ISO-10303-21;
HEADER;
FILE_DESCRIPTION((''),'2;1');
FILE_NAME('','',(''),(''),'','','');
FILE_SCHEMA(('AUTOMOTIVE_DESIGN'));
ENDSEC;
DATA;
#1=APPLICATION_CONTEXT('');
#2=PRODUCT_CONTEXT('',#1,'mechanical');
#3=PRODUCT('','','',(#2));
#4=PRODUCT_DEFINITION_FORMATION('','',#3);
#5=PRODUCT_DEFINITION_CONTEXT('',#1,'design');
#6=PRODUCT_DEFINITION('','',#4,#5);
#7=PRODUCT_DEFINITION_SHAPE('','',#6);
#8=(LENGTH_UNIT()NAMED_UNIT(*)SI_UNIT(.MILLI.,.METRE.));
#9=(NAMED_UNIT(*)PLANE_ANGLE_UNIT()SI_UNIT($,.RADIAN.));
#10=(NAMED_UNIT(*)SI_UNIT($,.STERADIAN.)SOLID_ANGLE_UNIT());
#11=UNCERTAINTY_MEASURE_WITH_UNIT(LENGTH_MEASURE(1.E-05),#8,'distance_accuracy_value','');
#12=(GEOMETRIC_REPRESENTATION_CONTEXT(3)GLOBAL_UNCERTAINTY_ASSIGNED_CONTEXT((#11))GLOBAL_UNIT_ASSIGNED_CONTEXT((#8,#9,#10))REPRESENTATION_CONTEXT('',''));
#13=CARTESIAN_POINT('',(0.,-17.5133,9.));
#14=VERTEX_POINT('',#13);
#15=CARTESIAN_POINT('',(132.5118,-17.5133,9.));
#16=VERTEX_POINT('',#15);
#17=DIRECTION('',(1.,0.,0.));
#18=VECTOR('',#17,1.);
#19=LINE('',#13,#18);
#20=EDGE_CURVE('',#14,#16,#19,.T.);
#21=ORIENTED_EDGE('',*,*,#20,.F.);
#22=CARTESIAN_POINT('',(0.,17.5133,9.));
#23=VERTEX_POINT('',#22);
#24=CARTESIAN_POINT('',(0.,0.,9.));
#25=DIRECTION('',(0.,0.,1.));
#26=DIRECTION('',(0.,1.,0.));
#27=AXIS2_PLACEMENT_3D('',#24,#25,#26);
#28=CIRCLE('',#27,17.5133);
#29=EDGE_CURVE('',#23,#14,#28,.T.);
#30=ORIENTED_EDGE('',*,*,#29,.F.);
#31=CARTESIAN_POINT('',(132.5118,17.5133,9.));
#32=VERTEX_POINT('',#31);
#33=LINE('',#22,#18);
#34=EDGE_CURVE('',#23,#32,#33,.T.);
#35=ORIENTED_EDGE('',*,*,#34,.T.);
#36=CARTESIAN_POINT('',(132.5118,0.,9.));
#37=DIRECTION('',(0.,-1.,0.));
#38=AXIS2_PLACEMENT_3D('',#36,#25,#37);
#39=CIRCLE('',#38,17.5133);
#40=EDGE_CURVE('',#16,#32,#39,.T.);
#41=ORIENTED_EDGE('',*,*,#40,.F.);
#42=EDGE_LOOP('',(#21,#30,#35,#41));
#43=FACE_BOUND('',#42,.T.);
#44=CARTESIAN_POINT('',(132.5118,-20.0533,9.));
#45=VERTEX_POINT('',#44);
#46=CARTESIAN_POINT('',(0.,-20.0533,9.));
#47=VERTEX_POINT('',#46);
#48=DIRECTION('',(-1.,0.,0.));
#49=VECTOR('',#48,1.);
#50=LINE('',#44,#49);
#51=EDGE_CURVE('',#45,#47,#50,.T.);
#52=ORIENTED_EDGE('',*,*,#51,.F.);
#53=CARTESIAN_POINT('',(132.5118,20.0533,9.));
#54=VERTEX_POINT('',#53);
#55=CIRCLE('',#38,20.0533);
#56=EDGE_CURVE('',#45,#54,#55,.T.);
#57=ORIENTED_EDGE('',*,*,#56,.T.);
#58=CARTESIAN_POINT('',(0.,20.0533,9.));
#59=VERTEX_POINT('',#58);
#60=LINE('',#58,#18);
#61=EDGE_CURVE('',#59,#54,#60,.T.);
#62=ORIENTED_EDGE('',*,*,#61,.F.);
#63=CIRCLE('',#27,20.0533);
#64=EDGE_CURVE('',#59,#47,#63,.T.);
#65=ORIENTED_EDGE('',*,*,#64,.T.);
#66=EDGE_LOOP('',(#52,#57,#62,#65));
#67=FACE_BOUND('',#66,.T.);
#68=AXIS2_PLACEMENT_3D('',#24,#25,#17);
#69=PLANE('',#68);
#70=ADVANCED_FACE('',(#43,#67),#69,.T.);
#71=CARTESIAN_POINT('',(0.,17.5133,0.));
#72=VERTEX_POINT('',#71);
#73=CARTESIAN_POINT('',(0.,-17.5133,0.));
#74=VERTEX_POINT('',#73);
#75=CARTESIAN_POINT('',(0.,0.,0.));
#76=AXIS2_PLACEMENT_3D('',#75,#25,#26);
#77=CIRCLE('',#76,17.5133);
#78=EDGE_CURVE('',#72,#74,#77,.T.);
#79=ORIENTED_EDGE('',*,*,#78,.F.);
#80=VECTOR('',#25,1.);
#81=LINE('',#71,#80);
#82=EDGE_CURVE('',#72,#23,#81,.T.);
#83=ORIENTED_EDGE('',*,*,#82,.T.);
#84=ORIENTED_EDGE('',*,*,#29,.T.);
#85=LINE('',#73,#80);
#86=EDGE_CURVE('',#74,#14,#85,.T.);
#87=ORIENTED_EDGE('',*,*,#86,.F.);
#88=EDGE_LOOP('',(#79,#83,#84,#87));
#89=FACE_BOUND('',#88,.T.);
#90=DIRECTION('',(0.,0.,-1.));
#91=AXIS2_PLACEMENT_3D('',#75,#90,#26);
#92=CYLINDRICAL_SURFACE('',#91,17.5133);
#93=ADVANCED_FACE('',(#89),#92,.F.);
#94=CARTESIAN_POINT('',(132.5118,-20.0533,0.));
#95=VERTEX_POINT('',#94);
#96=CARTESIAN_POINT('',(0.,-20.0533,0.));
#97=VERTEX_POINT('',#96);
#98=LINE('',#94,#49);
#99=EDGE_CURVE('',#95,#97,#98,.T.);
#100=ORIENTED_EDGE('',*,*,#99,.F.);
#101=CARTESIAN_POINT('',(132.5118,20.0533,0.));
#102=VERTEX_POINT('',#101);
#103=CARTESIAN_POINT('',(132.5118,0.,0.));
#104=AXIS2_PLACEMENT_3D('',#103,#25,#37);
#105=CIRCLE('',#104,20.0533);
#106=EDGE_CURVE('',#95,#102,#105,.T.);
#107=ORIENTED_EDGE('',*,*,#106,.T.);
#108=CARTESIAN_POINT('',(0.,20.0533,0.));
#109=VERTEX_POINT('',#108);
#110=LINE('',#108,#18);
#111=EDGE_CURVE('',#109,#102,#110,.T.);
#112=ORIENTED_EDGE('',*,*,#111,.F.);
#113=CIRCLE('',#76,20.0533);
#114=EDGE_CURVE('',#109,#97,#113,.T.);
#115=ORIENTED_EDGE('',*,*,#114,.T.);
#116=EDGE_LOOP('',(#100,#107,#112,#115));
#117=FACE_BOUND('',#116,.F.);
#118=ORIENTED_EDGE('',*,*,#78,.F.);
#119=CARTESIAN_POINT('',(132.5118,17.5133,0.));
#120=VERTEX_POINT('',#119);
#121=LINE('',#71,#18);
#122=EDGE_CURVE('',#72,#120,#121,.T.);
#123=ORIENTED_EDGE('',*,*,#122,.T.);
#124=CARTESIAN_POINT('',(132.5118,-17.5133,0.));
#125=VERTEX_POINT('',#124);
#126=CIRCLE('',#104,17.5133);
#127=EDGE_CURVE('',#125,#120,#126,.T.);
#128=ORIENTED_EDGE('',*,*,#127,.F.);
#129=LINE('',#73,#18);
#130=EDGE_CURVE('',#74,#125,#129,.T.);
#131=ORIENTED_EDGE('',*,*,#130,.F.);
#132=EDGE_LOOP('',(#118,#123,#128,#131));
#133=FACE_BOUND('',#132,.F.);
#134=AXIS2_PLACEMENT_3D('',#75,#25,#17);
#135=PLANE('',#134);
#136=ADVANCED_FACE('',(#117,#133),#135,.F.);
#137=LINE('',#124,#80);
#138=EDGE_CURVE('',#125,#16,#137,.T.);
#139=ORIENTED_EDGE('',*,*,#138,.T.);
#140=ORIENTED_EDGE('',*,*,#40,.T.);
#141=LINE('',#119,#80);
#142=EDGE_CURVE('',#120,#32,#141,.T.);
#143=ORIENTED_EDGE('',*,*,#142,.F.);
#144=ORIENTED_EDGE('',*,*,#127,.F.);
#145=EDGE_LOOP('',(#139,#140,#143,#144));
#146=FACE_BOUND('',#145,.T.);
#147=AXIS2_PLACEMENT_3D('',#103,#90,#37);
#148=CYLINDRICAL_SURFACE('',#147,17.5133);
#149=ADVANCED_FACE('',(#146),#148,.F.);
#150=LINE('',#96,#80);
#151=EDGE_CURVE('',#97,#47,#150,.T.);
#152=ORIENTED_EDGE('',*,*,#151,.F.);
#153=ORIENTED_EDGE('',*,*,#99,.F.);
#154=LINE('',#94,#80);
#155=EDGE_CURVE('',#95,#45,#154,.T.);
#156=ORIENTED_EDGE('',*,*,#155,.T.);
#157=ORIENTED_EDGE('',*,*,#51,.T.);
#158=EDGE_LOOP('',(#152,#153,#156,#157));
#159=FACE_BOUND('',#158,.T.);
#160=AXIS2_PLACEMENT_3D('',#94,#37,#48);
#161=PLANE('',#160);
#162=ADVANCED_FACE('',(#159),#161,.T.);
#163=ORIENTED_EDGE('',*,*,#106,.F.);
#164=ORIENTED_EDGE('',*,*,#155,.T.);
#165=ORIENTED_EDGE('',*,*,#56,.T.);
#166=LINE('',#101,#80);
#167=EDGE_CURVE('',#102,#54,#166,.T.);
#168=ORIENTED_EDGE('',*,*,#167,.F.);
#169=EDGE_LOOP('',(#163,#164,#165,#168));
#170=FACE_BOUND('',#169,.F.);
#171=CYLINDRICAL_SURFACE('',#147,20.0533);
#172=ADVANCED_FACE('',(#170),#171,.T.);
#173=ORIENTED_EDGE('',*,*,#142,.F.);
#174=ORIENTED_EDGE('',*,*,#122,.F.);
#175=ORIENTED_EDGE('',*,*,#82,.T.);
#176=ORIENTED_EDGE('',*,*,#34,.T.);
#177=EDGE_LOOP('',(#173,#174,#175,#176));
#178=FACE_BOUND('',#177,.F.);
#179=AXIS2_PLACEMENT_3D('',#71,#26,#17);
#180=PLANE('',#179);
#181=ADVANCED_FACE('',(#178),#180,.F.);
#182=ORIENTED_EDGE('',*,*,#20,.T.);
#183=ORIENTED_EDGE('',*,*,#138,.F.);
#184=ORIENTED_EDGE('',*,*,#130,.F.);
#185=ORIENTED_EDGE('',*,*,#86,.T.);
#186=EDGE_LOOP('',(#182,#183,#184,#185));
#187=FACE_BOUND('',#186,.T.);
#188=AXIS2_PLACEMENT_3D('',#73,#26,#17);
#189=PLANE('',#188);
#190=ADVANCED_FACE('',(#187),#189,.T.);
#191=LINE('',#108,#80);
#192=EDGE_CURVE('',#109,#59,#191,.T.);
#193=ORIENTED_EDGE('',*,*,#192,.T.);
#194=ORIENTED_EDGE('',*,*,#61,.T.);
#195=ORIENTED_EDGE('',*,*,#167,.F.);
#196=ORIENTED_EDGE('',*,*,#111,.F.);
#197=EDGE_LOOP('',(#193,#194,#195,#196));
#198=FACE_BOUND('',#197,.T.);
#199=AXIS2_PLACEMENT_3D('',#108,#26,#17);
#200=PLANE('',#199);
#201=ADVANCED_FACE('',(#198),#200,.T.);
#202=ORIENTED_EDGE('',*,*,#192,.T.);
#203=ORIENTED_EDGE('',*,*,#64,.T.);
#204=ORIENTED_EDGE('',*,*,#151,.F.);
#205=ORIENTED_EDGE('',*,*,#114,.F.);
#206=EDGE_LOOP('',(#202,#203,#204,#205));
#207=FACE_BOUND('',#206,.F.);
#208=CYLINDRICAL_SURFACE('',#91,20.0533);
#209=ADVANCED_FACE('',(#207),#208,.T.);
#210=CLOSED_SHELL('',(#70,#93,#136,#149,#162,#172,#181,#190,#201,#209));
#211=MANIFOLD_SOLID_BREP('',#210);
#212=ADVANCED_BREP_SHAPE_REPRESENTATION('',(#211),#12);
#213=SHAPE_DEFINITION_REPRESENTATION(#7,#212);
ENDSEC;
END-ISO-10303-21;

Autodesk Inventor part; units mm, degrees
ref_plane "YZ Plane" through (0, 0, 0) normal (1, 0, 0) x (0, 1, 0)
ref_plane "XZ Plane" through (0, 0, 0) normal (0, 1, 0) x (-1, 0, 0)
ref_plane "XY Plane" through (0, 0, 0) normal (0, 0, 1) x (1, 0, 0)
sketch "Sketch1" plane through (0, 0, 0) normal (0, 0, 1) x (1, 0, 0)
  arc A0 (0, 17.5133) -> (0, -17.5133) centre (0, 0) ccw
  arc A1 (132.5118, -17.5133) -> (132.5118, 17.5133) centre (132.5118, 0) ccw
  line L0 (0, 17.5133) -> (132.5118, 17.5133)
  line L1 (0, -17.5133) -> (132.5118, -17.5133)
  arc A2 (132.5118, -20.0533) -> (132.5118, 20.0533) centre (132.5118, 0) ccw
  line L2 (132.5118, -20.0533) -> (0, -20.0533)
  arc A3 (0, 20.0533) -> (0, -20.0533) centre (0, 0) ccw
  line L3 (0, 20.0533) -> (132.5118, 20.0533)
  dimension "d0" = 35.0266
  dimension "d1" = 132.5118
  dimension "d2" = 2.54
extrude "Extrusion1" add sketch "Sketch1" along normal blind 9
properties part number "INDX_019_FeederBelt" material "Rubber"
